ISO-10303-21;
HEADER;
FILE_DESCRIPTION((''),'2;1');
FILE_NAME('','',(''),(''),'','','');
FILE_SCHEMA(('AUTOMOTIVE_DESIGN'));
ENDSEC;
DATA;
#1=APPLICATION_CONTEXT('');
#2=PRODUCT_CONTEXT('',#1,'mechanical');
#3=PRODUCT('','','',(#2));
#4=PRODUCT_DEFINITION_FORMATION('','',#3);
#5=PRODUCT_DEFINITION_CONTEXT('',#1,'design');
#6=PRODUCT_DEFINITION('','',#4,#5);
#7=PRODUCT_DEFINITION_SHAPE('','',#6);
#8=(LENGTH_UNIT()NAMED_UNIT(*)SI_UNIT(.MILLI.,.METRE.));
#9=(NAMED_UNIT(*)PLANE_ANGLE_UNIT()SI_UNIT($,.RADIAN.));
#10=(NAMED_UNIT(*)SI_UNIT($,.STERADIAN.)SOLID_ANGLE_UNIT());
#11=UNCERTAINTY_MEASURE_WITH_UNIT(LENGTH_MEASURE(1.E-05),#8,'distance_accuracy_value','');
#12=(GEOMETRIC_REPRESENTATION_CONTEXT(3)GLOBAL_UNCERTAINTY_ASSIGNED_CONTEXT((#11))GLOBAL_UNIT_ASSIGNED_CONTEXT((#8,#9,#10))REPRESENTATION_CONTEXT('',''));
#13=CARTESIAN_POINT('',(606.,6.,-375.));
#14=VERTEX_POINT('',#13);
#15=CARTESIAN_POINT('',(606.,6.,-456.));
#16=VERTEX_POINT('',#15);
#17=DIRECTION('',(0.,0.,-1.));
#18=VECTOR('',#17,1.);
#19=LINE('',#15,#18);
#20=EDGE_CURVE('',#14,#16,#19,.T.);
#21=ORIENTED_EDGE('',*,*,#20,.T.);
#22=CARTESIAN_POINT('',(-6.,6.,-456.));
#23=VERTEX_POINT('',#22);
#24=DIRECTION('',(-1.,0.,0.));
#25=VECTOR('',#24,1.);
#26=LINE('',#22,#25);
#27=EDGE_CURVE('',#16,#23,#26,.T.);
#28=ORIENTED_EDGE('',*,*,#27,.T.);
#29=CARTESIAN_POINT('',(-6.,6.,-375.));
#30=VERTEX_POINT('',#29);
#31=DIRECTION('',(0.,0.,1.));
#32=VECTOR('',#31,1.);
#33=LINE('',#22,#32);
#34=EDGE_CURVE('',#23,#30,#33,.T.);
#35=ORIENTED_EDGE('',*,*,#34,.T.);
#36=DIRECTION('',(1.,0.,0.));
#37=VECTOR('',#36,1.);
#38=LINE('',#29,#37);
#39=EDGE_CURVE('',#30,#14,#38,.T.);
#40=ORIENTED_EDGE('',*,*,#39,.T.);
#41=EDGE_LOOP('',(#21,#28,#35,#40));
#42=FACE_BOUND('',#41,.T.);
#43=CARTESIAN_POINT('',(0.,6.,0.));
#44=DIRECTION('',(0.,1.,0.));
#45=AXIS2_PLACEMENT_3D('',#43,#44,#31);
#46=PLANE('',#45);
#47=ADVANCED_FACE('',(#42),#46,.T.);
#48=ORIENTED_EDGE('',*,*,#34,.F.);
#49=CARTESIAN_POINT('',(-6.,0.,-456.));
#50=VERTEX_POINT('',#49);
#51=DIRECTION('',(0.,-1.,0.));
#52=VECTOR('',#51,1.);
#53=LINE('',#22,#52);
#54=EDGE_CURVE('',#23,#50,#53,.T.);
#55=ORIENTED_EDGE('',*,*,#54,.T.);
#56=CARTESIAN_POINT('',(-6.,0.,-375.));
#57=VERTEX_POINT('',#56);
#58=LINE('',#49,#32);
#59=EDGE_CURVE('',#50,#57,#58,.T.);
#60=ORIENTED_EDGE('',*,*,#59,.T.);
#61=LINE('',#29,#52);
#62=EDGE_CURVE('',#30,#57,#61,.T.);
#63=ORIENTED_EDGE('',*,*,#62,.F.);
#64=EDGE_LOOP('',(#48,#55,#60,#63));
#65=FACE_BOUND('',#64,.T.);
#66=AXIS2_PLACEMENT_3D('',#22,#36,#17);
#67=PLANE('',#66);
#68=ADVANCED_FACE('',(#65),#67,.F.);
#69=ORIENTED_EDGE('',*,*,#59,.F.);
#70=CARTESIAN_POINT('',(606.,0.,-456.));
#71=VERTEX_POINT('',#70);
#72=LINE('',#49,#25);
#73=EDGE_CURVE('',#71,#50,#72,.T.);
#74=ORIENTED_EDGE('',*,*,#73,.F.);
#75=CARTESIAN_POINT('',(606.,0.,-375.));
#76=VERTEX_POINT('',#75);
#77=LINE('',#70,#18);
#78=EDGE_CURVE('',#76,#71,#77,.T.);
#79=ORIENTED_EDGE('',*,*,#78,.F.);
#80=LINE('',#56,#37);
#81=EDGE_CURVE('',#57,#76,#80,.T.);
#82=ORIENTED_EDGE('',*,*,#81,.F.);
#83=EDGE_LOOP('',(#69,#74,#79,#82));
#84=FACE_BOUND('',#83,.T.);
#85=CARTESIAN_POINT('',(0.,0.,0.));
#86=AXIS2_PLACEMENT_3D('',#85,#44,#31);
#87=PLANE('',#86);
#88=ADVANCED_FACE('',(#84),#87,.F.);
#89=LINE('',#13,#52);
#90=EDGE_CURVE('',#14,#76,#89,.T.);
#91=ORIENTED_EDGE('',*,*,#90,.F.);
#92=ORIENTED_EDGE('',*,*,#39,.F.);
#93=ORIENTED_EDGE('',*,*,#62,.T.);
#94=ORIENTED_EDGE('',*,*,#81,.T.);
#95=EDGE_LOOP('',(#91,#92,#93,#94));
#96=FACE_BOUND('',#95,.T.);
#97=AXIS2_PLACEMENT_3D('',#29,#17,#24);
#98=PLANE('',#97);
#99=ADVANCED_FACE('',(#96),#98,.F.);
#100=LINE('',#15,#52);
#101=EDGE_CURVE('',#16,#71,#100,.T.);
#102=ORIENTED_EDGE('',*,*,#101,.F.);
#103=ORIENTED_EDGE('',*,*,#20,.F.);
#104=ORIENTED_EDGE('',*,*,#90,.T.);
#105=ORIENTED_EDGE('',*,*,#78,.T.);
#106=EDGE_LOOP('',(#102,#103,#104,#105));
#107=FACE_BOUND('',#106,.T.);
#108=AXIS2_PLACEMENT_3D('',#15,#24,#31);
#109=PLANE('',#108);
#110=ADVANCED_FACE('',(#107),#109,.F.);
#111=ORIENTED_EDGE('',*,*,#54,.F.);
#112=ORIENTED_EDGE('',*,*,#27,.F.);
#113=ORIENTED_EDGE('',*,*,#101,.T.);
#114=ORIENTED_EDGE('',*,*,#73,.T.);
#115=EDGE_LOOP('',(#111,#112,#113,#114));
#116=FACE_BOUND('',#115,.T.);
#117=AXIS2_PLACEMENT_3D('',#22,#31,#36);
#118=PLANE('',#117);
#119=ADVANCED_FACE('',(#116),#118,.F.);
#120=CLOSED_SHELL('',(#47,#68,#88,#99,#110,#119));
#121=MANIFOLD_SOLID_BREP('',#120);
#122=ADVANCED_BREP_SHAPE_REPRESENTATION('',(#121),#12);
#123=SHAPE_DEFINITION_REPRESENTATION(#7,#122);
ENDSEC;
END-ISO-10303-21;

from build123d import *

# Parameters (mm, degrees)
SKETCH_1_W      = 612
SKETCH_1_H      = 81
EXTRUDE_1_DEPTH = 6


with BuildPart() as part:
    # Эскиз1 → Бобышка-Вытянуть1 (new body)
    with BuildSketch(Plane(origin=(0, 0, 0), x_dir=(1, 0, 0), z_dir=(0, 1, 0))):
        with Locations((300, 415.5)):
            Rectangle(SKETCH_1_W, SKETCH_1_H)
    extrude(amount=EXTRUDE_1_DEPTH)


solid = part.part
